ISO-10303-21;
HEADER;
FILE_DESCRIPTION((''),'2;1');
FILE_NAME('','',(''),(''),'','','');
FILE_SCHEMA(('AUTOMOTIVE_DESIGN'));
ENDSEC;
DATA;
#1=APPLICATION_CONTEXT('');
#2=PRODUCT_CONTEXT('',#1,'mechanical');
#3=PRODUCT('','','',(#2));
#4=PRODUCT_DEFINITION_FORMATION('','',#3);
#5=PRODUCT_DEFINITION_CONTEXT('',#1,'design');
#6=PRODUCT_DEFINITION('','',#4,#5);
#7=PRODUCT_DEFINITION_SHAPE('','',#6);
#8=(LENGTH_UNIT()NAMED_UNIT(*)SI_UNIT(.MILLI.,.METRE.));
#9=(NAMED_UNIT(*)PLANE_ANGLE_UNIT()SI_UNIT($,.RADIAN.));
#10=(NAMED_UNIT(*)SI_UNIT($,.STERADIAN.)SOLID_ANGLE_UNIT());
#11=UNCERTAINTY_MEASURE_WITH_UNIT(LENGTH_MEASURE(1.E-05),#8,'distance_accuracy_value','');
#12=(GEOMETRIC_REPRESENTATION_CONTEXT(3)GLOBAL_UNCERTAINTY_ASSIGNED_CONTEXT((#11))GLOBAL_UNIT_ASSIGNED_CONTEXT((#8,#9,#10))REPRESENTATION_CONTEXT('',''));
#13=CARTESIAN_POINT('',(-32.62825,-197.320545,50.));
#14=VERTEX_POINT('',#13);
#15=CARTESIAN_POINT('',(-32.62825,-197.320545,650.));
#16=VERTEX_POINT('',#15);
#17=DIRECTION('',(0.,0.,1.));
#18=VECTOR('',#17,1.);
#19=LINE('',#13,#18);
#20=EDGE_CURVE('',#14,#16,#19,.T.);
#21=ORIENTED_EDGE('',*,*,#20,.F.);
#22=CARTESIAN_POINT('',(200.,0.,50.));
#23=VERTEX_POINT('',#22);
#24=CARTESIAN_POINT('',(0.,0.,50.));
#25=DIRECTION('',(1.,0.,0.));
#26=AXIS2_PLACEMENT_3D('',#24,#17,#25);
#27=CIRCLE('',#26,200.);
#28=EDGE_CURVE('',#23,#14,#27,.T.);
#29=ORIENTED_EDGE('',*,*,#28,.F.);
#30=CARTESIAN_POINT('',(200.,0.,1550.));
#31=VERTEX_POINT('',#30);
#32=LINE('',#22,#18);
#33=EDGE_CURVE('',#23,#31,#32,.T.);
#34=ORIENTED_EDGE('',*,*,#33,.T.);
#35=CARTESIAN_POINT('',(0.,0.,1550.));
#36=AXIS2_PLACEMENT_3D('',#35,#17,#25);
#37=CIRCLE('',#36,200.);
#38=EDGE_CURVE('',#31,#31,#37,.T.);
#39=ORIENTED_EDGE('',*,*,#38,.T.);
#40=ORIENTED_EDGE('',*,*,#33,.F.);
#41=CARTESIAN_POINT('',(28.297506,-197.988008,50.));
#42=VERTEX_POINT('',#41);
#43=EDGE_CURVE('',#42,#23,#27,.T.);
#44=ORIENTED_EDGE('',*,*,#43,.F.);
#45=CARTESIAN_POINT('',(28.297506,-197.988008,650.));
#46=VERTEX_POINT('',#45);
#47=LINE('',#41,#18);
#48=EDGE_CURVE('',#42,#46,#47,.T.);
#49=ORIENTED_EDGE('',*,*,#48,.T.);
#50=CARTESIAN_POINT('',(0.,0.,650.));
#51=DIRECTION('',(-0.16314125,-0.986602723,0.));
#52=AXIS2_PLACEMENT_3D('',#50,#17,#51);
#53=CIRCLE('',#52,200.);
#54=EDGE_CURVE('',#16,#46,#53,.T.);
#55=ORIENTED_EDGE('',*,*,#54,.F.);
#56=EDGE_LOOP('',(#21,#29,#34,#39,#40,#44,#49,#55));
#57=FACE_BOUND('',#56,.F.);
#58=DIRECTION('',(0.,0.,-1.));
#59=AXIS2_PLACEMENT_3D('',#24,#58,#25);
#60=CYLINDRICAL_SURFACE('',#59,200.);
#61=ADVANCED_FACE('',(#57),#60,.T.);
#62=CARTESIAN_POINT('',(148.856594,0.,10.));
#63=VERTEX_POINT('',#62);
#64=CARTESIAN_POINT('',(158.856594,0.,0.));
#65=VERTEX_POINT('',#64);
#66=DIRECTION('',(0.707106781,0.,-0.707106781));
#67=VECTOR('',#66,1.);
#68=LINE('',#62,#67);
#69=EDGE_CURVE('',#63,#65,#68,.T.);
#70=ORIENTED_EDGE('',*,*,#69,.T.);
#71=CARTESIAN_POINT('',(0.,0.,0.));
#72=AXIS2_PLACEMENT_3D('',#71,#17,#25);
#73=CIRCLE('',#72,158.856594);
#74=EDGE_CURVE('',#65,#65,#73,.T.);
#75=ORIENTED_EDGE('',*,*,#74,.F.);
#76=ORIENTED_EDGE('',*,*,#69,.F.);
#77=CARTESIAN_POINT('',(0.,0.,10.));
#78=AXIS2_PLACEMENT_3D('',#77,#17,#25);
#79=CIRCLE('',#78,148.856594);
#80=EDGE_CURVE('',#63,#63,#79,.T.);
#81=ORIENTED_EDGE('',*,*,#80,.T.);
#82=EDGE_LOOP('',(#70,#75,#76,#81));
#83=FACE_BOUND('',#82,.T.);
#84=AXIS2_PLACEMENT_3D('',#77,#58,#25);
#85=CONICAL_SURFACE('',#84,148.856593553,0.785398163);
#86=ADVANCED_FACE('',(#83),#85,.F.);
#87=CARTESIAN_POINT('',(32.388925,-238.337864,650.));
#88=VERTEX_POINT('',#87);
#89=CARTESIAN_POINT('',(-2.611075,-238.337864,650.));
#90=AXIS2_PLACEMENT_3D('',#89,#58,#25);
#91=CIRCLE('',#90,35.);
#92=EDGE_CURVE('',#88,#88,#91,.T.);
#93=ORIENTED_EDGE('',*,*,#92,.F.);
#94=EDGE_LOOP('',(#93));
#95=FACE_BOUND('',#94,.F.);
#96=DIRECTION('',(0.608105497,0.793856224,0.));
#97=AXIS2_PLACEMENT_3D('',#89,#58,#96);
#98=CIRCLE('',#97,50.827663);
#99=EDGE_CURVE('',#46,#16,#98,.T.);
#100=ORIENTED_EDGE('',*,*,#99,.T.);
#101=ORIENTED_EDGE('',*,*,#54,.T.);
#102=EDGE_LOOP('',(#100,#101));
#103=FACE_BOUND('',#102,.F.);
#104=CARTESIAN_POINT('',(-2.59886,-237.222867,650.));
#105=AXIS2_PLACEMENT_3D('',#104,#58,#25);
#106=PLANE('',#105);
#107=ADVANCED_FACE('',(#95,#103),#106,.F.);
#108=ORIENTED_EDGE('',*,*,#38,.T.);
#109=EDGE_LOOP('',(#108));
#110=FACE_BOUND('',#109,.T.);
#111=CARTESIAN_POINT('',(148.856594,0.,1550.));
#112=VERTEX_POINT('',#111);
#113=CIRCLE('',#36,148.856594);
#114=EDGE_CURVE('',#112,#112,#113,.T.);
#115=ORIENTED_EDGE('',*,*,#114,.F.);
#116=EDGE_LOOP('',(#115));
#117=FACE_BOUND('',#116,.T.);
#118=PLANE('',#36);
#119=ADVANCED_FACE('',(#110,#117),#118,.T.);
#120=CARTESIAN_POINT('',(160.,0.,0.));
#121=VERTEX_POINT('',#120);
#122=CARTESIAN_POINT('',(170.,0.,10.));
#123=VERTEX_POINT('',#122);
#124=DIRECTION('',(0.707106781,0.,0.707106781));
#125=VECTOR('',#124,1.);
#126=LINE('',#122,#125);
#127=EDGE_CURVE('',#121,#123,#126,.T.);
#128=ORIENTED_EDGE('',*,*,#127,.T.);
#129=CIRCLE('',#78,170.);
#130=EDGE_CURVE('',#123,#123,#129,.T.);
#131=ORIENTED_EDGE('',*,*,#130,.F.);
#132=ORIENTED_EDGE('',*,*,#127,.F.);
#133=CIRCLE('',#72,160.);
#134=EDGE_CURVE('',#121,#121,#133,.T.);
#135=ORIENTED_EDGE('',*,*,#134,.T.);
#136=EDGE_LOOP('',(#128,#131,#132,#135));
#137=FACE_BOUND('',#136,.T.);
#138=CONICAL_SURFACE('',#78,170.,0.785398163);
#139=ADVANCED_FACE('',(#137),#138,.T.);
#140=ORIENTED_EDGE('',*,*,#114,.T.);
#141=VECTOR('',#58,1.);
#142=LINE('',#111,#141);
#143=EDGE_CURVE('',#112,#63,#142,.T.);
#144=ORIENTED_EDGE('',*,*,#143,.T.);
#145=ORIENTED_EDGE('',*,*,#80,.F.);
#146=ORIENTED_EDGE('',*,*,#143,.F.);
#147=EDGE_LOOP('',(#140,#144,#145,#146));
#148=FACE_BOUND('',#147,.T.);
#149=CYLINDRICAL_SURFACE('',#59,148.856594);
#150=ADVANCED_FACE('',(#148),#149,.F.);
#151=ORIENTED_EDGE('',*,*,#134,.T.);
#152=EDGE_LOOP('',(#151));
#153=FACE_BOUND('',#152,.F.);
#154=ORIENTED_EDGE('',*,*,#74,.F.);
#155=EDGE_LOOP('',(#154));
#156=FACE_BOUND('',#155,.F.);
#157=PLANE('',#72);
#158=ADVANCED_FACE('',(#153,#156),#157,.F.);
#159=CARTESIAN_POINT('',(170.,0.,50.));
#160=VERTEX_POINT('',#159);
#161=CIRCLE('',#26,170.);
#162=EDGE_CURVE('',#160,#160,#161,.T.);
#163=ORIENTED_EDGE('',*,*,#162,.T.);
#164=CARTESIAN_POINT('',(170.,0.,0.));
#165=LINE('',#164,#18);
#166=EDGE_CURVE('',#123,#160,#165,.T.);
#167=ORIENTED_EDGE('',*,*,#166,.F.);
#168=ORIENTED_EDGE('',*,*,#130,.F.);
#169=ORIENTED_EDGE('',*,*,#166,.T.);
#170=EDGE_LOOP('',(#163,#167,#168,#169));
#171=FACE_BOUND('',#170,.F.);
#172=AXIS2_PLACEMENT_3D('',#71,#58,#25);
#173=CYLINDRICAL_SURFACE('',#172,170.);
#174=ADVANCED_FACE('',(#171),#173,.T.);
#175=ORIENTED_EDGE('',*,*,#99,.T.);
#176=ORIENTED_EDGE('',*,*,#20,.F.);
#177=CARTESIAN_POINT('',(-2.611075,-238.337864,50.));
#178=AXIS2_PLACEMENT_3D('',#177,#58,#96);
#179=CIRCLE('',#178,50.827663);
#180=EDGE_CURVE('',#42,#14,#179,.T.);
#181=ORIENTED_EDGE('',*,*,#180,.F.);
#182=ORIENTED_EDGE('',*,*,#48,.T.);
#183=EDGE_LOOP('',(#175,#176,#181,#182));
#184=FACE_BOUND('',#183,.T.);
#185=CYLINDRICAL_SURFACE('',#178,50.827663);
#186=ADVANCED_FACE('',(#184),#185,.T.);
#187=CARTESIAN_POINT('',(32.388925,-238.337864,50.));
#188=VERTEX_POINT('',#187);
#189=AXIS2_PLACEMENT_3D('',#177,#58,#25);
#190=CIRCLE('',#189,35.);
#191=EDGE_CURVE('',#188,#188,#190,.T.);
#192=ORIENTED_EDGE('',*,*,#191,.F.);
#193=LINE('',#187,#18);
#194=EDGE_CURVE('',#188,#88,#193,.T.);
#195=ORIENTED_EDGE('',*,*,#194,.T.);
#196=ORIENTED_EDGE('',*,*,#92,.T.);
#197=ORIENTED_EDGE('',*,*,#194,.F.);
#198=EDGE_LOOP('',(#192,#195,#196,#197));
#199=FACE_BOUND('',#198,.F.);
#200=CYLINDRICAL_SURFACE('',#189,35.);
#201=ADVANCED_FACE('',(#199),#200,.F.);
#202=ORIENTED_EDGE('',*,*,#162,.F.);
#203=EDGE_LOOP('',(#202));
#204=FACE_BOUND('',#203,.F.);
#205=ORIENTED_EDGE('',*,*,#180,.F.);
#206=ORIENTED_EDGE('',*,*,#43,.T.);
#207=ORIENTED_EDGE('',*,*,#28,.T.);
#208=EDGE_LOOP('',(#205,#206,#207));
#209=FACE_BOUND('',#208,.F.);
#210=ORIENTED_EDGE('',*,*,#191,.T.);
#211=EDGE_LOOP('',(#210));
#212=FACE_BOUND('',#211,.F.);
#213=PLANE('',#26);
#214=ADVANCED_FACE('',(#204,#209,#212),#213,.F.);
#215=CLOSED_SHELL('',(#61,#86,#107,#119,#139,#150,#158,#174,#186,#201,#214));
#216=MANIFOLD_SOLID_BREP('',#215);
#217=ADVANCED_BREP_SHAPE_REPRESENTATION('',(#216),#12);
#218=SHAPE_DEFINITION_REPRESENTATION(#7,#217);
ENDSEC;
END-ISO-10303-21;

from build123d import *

# Parameters (mm, degrees)
F0_R        = 170
F0_R_2      = 148.8565935533
F1_DEPTH    = 50
F1_FACE_R   = 170
F1_FACE_R_2 = 148.8565935533
F2_R        = 200
F2_R_2      = 170
F3_DEPTH    = 1500
F4_SIZE     = 10
F6_DEPTH    = 600
F7_R        = 35
F8_DEPTH    = 600


with BuildPart() as f1:
    # F0 (on Top) → F1 (new body)
    with BuildSketch(Plane.XY):
        Circle(F0_R)
        Circle(F0_R_2, mode=Mode.SUBTRACT)
    extrude(amount=F1_DEPTH)

    # F1_face (on face) + F2 (on face) → F3 (join)
    with BuildSketch(Plane.XY.offset(50)):
        Circle(F1_FACE_R)
        Circle(F1_FACE_R_2, mode=Mode.SUBTRACT)
    with BuildSketch(Plane.XY.offset(50)):
        Circle(F2_R)
        Circle(F2_R_2, mode=Mode.SUBTRACT)
    extrude(amount=F3_DEPTH)

    # F4
    f4_edges = [f1.edges().sort_by_distance(p)[0] for p in [
        (-170, 0, 0),
        (-148.856594, 0, 0),
    ]]
    chamfer(f4_edges, length=F4_SIZE)

    # F5 (on face) → F6 (join)
    with BuildSketch(Plane(origin=(0, 0, 50), x_dir=(1, 0, 0), z_dir=(0, 0, -1))):
        with BuildLine():
            ThreePointArc((-32.6282500588, 197.3205445414), (-2.1909388027, 199.9879991079), (28.2975059651, 197.9880076069))
            ThreePointArc((28.2975059651, 197.9880076069), (-3.1678765377, 289.1624765686), (-32.6282500588, 197.3205445414))
        make_face()
    extrude(amount=-F6_DEPTH)

    # F7 (on face) → F8 (cut)
    with BuildSketch(Plane(origin=(0, 0, 50), x_dir=(1, 0, 0), z_dir=(0, 0, -1))):
        with Locations((-2.6110750469, 238.3378638878)):
            Circle(F7_R)
    extrude(amount=-F8_DEPTH, mode=Mode.SUBTRACT)


solid = f1.part
